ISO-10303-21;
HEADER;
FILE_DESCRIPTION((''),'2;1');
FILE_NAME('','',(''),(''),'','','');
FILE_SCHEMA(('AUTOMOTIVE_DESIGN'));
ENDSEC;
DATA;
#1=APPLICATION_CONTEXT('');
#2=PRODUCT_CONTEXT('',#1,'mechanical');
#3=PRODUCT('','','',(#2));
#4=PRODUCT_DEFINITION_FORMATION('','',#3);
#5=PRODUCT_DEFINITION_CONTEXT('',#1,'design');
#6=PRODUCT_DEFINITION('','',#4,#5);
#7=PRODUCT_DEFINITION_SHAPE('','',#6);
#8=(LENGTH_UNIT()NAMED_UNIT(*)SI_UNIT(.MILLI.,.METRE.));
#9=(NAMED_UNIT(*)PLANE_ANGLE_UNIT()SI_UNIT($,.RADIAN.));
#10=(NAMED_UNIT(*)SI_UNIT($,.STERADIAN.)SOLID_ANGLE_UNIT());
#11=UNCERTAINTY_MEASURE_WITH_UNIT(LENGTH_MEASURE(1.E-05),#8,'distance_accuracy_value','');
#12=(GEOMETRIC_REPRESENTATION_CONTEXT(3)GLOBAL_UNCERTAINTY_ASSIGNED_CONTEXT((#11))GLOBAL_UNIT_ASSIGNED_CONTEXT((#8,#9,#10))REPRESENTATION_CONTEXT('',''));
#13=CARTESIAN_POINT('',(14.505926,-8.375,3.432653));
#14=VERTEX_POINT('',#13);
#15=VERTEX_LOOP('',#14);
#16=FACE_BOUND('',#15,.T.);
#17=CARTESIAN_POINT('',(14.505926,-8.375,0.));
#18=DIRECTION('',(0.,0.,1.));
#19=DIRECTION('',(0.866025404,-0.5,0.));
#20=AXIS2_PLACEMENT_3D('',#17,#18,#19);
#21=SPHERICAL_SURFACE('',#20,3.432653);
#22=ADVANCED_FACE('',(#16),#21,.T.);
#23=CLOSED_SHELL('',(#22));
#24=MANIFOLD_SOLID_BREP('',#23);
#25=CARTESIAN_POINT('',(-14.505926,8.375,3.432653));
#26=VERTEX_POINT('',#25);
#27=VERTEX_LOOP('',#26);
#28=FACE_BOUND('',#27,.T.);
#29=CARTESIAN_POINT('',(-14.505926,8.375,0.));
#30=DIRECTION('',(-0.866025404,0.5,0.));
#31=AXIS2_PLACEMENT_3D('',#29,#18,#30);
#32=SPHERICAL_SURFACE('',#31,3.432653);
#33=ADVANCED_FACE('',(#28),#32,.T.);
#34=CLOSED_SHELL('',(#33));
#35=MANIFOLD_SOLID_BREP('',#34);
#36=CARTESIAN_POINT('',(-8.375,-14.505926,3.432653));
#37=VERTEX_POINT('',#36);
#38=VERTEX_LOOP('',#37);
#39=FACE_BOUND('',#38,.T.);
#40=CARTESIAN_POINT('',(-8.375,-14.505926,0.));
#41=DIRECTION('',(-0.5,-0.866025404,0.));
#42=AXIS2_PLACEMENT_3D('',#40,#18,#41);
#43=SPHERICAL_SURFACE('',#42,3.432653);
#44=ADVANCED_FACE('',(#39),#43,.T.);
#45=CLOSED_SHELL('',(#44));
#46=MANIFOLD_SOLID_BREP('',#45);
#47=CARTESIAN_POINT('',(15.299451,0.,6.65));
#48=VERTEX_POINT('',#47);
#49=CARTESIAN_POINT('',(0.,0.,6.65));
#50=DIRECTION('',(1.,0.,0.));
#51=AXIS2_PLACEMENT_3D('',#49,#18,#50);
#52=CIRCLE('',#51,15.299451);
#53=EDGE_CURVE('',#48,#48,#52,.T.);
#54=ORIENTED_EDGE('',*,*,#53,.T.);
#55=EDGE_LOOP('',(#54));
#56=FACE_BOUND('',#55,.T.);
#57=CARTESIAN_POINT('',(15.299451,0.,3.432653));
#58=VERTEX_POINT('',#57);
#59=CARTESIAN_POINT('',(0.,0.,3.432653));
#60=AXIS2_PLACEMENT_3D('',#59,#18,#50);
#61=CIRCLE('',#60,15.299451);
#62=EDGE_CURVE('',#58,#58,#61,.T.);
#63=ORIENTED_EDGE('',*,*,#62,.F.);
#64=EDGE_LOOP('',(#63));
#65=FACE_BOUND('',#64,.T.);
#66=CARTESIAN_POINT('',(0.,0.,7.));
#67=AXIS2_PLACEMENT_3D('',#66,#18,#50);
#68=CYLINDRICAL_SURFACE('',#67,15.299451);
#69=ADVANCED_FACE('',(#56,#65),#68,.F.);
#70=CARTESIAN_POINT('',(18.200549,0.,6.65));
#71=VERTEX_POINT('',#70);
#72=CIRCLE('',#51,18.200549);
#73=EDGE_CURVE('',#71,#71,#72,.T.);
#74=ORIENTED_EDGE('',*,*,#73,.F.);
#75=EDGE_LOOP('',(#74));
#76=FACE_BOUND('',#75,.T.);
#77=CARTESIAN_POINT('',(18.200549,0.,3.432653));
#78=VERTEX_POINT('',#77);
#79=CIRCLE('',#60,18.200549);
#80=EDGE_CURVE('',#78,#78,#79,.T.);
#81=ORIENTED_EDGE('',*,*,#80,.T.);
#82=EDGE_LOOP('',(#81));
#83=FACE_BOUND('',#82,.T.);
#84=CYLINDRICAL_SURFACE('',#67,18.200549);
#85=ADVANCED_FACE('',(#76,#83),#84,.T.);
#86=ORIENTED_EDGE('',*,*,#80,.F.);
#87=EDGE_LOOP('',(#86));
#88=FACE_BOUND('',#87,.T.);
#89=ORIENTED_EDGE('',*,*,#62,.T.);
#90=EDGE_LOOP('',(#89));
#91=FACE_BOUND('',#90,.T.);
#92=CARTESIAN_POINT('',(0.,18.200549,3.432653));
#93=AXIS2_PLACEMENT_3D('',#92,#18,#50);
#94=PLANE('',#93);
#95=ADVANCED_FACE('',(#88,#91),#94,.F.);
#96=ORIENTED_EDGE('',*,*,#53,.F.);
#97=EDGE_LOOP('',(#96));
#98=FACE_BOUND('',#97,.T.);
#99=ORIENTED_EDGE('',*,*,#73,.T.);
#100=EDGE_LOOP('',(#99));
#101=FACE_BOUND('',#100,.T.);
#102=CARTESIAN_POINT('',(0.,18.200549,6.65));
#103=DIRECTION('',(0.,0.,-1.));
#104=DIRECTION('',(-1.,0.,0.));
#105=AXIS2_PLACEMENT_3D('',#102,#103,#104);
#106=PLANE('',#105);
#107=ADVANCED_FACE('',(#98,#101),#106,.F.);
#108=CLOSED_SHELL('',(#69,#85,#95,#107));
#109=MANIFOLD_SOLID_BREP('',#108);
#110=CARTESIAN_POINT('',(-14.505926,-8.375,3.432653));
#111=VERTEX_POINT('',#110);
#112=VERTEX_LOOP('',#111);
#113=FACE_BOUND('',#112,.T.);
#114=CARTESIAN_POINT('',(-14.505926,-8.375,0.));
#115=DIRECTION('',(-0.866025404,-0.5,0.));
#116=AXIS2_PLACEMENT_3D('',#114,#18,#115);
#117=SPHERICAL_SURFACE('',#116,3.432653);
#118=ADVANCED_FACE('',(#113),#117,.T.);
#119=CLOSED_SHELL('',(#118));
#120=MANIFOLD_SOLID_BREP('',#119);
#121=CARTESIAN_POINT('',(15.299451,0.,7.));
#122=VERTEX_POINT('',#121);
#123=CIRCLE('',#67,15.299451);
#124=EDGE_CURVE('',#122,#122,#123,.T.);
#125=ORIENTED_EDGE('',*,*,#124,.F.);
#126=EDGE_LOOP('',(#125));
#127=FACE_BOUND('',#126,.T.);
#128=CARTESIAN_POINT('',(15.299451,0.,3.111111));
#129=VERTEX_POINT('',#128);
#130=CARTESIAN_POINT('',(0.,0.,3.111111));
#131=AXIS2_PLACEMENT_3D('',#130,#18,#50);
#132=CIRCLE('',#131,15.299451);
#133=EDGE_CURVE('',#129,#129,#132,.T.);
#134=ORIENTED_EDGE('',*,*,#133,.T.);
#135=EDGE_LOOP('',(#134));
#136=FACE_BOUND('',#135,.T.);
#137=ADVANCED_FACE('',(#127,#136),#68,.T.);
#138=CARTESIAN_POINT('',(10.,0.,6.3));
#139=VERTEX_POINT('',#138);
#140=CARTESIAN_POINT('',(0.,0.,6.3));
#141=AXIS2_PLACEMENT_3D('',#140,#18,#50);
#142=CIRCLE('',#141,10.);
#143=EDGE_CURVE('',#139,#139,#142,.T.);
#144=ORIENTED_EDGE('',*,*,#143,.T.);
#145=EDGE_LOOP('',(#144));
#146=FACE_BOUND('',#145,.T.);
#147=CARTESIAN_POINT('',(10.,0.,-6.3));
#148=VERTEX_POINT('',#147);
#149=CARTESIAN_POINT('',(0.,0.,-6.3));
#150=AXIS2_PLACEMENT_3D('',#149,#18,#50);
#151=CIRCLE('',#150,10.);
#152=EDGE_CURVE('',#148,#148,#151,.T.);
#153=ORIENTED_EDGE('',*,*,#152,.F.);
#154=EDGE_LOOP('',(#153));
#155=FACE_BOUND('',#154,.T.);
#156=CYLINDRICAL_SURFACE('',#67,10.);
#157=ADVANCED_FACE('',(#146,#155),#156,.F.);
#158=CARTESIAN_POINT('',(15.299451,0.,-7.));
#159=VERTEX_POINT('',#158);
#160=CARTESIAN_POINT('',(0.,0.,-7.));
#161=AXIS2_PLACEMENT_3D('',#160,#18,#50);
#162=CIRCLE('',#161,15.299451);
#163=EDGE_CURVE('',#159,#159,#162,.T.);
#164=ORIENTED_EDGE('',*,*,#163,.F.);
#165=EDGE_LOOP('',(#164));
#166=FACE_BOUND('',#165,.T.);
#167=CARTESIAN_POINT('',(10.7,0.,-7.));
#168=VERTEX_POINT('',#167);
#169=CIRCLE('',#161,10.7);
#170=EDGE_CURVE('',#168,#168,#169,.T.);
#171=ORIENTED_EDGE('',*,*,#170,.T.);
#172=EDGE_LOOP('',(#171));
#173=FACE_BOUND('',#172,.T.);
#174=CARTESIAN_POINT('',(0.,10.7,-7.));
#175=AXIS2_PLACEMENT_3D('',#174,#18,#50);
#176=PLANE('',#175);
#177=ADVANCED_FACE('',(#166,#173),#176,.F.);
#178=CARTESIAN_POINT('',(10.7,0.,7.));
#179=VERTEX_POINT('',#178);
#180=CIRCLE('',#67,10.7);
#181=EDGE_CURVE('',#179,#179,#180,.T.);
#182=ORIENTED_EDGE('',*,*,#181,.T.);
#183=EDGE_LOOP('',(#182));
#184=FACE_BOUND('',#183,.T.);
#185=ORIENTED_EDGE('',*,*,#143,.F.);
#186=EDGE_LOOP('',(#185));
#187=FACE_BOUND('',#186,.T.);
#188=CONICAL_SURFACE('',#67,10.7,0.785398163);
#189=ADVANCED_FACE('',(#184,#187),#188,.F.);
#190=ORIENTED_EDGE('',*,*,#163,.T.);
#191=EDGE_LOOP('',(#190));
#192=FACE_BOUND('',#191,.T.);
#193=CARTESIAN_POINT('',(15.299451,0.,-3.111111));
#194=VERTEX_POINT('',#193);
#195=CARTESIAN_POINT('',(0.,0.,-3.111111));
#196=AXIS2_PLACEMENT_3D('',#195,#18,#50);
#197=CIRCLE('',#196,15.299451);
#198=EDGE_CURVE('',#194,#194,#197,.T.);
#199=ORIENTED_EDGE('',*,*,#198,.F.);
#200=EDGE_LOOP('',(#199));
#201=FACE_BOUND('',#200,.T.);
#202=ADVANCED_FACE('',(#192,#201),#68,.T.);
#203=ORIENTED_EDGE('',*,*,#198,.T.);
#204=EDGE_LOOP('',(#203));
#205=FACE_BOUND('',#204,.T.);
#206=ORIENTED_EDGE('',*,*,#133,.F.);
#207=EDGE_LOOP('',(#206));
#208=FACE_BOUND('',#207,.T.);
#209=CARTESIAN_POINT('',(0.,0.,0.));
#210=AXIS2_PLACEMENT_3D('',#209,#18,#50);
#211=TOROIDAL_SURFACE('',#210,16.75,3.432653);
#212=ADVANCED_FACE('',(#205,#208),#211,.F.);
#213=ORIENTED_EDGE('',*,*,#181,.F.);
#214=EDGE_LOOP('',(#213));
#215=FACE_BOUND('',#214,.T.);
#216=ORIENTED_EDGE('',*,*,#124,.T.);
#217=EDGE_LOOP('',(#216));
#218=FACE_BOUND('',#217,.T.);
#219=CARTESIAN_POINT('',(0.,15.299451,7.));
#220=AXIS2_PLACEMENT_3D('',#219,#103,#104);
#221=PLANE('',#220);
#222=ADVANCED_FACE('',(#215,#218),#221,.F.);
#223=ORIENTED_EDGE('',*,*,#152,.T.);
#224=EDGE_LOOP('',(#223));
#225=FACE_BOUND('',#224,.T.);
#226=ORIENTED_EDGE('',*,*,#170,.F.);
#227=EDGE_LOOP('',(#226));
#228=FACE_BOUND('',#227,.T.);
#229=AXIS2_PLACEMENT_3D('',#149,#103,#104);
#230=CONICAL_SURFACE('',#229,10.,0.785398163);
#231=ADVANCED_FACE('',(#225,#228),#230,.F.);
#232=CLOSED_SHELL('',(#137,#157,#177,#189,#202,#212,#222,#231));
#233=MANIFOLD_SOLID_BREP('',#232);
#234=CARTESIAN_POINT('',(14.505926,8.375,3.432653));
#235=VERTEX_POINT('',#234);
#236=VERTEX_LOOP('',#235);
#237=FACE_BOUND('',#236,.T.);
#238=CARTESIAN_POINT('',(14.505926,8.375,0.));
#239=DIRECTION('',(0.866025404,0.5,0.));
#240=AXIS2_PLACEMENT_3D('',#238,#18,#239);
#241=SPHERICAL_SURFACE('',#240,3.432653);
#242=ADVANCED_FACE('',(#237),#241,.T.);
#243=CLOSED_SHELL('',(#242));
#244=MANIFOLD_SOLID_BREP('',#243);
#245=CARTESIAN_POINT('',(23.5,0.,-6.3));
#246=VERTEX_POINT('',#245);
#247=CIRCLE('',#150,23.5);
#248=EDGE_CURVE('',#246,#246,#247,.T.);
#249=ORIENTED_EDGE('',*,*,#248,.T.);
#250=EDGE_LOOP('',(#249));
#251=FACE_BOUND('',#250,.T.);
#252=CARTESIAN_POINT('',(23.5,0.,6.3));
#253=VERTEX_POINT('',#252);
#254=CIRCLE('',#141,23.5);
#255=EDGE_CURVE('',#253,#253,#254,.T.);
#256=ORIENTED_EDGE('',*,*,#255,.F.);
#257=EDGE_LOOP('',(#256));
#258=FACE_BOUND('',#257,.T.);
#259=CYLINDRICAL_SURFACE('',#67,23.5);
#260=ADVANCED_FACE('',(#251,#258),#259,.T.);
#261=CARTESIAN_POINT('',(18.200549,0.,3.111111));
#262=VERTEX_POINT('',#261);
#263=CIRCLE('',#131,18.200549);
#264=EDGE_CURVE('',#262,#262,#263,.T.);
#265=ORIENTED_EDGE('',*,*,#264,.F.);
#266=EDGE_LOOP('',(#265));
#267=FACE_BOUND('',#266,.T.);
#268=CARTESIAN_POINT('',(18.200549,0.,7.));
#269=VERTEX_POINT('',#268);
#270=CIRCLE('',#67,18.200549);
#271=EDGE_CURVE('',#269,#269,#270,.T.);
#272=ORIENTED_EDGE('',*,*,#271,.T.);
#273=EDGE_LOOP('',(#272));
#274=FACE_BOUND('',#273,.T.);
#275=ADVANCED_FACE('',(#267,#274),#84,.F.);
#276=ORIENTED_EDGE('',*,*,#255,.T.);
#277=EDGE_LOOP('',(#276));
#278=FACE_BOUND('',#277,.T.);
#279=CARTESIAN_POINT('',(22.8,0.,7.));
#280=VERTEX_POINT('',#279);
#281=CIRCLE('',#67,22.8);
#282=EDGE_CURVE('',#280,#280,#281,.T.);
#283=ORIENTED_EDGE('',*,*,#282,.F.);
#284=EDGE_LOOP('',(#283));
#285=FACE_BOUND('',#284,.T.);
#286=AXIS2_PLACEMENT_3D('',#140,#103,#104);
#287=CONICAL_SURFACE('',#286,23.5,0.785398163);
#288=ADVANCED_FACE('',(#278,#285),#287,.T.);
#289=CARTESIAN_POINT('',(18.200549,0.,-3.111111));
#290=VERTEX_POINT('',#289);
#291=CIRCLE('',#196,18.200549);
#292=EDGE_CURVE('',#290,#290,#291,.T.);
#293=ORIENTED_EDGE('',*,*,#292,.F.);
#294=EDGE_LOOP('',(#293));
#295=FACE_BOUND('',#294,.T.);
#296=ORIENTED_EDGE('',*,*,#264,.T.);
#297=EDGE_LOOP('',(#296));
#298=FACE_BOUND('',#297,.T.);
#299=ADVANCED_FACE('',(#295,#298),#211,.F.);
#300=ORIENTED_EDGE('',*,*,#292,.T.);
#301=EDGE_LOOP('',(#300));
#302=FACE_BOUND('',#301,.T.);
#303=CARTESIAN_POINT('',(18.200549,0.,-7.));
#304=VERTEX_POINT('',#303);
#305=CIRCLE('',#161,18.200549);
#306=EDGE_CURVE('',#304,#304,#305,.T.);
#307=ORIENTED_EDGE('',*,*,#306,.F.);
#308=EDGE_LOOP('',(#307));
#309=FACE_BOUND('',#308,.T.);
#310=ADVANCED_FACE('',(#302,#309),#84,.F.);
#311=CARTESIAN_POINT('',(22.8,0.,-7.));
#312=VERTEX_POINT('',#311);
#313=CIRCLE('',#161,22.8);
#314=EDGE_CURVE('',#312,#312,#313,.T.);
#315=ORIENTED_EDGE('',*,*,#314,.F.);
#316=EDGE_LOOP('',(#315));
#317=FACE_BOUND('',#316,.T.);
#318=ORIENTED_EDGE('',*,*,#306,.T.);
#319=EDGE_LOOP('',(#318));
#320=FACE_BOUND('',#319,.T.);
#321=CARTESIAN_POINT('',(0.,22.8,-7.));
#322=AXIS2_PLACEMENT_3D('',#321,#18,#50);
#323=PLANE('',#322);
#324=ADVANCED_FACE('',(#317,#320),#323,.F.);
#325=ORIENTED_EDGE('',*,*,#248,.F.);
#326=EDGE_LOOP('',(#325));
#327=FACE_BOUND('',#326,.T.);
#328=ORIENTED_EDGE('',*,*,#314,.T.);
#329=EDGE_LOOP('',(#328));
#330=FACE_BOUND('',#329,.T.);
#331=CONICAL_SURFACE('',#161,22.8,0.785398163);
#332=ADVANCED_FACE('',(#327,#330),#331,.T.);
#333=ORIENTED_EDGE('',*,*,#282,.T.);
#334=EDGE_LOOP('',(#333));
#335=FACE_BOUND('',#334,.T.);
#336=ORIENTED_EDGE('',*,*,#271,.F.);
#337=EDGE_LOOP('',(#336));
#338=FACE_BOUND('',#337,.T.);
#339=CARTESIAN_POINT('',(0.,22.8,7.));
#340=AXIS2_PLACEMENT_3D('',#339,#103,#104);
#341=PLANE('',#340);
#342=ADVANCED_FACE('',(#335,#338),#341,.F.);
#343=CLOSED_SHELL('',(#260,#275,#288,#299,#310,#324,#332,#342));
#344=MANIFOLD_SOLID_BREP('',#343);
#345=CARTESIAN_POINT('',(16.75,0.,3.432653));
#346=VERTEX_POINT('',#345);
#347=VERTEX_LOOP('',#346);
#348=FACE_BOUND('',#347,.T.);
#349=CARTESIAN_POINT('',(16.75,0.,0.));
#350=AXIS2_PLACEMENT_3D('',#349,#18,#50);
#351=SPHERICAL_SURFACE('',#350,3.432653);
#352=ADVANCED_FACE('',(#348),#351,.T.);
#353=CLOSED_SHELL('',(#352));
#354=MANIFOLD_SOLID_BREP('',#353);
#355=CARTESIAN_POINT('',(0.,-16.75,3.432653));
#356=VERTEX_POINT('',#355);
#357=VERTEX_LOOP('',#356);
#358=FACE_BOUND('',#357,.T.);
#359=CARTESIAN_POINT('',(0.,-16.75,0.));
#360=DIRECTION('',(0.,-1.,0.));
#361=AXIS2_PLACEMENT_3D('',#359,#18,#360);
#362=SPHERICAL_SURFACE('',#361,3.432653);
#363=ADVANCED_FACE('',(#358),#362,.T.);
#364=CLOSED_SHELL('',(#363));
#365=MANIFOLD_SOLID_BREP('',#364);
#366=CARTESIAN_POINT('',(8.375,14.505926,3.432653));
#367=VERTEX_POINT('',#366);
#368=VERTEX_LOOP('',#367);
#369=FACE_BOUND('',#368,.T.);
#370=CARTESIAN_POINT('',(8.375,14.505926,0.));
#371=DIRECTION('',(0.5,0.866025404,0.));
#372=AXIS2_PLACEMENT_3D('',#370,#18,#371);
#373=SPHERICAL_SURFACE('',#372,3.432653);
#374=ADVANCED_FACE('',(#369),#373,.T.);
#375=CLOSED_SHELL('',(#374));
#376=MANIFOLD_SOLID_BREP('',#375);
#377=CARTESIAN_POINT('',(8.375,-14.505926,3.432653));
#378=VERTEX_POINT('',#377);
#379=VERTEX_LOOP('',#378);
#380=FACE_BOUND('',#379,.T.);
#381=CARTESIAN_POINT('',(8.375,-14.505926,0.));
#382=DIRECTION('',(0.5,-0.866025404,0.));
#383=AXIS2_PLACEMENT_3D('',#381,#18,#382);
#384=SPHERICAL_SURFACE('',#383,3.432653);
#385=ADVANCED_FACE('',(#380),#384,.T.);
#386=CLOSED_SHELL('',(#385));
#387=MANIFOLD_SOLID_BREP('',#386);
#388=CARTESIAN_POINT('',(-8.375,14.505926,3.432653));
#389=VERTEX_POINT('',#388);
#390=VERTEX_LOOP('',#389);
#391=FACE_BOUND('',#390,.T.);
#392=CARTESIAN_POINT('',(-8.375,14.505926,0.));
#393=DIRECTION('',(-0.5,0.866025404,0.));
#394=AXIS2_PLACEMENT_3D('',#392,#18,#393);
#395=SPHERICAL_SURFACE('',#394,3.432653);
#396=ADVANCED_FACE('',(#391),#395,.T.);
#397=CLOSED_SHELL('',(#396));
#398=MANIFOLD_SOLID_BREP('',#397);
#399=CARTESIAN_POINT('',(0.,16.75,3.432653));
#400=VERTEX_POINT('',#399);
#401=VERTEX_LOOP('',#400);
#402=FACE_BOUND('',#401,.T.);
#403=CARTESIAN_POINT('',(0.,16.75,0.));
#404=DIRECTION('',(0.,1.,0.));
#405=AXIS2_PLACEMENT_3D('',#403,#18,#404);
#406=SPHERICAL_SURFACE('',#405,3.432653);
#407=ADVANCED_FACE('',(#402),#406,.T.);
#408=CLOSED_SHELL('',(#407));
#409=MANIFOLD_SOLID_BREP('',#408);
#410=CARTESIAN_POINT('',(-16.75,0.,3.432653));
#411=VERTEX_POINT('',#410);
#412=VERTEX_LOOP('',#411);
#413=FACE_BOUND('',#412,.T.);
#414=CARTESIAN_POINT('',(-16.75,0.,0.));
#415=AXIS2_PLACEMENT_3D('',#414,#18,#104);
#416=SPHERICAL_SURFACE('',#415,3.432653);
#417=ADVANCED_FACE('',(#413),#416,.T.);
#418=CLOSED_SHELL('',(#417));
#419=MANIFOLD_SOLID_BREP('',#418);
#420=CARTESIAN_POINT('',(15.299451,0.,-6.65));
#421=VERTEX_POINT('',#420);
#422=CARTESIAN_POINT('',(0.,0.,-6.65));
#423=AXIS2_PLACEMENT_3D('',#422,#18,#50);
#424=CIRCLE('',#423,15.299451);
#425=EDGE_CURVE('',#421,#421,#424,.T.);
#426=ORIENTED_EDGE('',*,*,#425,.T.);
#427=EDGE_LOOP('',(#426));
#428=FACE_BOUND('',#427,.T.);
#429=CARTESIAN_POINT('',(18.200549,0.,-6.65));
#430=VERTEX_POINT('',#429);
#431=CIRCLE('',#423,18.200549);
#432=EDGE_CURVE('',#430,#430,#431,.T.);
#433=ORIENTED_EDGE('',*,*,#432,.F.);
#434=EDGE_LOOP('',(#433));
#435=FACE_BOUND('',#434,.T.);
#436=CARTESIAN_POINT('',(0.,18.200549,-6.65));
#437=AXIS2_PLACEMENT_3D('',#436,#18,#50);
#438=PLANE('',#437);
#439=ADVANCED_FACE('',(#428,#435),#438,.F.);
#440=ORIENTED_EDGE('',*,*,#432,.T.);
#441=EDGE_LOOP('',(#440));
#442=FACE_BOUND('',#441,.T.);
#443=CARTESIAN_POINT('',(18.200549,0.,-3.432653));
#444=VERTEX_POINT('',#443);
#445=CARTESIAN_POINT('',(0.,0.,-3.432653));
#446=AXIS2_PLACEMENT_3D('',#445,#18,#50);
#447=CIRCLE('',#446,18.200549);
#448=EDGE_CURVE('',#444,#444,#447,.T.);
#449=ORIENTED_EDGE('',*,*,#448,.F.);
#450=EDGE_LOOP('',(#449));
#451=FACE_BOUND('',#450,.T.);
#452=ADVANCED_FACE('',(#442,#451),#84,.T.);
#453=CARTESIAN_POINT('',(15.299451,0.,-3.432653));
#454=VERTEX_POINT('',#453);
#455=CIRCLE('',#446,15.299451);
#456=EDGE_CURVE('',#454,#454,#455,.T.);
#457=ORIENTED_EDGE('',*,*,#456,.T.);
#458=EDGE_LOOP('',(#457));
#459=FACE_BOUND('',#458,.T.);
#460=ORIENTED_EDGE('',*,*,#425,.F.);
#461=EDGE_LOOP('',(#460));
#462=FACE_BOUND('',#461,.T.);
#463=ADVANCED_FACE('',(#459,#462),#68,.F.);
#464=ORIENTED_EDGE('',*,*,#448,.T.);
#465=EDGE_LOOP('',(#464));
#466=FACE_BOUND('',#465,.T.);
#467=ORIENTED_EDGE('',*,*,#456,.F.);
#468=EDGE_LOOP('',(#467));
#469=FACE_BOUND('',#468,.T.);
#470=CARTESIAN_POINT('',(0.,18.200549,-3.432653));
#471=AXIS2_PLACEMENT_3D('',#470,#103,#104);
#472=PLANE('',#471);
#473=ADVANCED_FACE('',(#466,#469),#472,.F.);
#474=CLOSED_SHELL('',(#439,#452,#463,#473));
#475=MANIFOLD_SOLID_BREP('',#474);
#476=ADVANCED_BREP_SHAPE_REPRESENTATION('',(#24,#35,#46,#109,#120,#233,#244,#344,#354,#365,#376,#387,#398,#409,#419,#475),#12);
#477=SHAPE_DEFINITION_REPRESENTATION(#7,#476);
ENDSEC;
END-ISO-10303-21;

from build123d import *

# Parameters (mm, degrees)
CIRPATTERN1_COUNT = 12
SKETCH5_W         = 3.217347082
SKETCH5_H         = 2.901098902


with BuildPart() as part:
    # Sketch1 → Revolve1 (revolve)
    with BuildSketch(Plane(origin=(0, 0, 0), x_dir=(0, 0, -1), z_dir=(1, 0, 0))):
        with BuildLine():
            Line((6.3, 23.5), (-6.3, 23.5))
            Line((-6.3, 23.5), (-7, 22.8))
            Line((-7, 22.8), (-7, 18.200549451))
            Line((-7, 18.200549451), (-3.111111111, 18.200549451))
            ThreePointArc((-3.111111111, 18.200549451), (0, 20.182652918), (3.111111111, 18.200549451))
            Line((3.111111111, 18.200549451), (7, 18.200549451))
            Line((7, 18.200549451), (7, 22.8))
            Line((7, 22.8), (6.3, 23.5))
        make_face()
    revolve(axis=Axis((0, 0, 7), (0, 0, -1)))


with BuildPart() as body_2:
    # Sketch3 → Revolve3 (revolve)
    with BuildSketch(Plane(origin=(0, 0, 0), x_dir=(0, 0, -1), z_dir=(1, 0, 0))):
        with BuildLine():
            Line((-7, 15.299450549), (-3.111111111, 15.299450549))
            ThreePointArc((-3.111111111, 15.299450549), (0, 13.317347082), (3.111111111, 15.299450549))
            Line((3.111111111, 15.299450549), (7, 15.299450549))
            Line((7, 15.299450549), (7, 10.7))
            Line((7, 10.7), (6.3, 10))
            Line((6.3, 10), (-6.3, 10))
            Line((-6.3, 10), (-7, 10.7))
            Line((-7, 10.7), (-7, 15.299450549))
        make_face()
    revolve(axis=Axis((0, 0, 7), (0, 0, -1)))


with BuildPart() as body_3:
    # Sketch4 → Revolve4 (revolve)
    with BuildSketch(Plane(origin=(0, 0, 0), x_dir=(0, 0, -1), z_dir=(1, 0, 0))):
        with BuildLine():
            Line((-3.432652918, 16.75), (3.432652918, 16.75))
            ThreePointArc((3.432652918, 16.75), (0, 20.182652918), (-3.432652918, 16.75))
        make_face()
    revolve(axis=Axis((0, 16.75, 3.432652918), (0, 0, -1)))


with BuildPart() as cirpattern1_1:
    # CirPattern1: pattern copy
    add(body_3.part.rotate(Axis((0, 0, -7), (0, 0, 1)), 1 * 360 / CIRPATTERN1_COUNT))


with BuildPart() as cirpattern1_2:
    # CirPattern1: pattern copy
    add(body_3.part.rotate(Axis((0, 0, -7), (0, 0, 1)), 2 * 360 / CIRPATTERN1_COUNT))


with BuildPart() as cirpattern1_3:
    # CirPattern1: pattern copy
    add(body_3.part.rotate(Axis((0, 0, -7), (0, 0, 1)), 3 * 360 / CIRPATTERN1_COUNT))


with BuildPart() as cirpattern1_4:
    # CirPattern1: pattern copy
    add(body_3.part.rotate(Axis((0, 0, -7), (0, 0, 1)), 4 * 360 / CIRPATTERN1_COUNT))


with BuildPart() as cirpattern1_5:
    # CirPattern1: pattern copy
    add(body_3.part.rotate(Axis((0, 0, -7), (0, 0, 1)), 5 * 360 / CIRPATTERN1_COUNT))


with BuildPart() as cirpattern1_6:
    # CirPattern1: pattern copy
    add(body_3.part.rotate(Axis((0, 0, -7), (0, 0, 1)), 6 * 360 / CIRPATTERN1_COUNT))


with BuildPart() as cirpattern1_7:
    # CirPattern1: pattern copy
    add(body_3.part.rotate(Axis((0, 0, -7), (0, 0, 1)), 7 * 360 / CIRPATTERN1_COUNT))


with BuildPart() as cirpattern1_8:
    # CirPattern1: pattern copy
    add(body_3.part.rotate(Axis((0, 0, -7), (0, 0, 1)), 8 * 360 / CIRPATTERN1_COUNT))


with BuildPart() as cirpattern1_9:
    # CirPattern1: pattern copy
    add(body_3.part.rotate(Axis((0, 0, -7), (0, 0, 1)), 9 * 360 / CIRPATTERN1_COUNT))


with BuildPart() as cirpattern1_10:
    # CirPattern1: pattern copy
    add(body_3.part.rotate(Axis((0, 0, -7), (0, 0, 1)), 10 * 360 / CIRPATTERN1_COUNT))


with BuildPart() as cirpattern1_11:
    # CirPattern1: pattern copy
    add(body_3.part.rotate(Axis((0, 0, -7), (0, 0, 1)), 11 * 360 / CIRPATTERN1_COUNT))


with BuildPart() as body_15:
    # Sketch5 → Revolve5 (revolve)
    with BuildSketch(Plane(origin=(0, 0, 0), x_dir=(0, 0, -1), z_dir=(1, 0, 0))):
        with Locations((-5.041326459, 16.75)):
            Rectangle(SKETCH5_W, SKETCH5_H)
        with Locations((5.041326459, 16.75)):
            Rectangle(SKETCH5_W, SKETCH5_H)
    revolve(axis=Axis((0, 0, 7), (0, 0, -1)))


solid = Compound([part.part, body_2.part, body_3.part, cirpattern1_1.part, cirpattern1_2.part, cirpattern1_3.part, cirpattern1_4.part, cirpattern1_5.part, cirpattern1_6.part, cirpattern1_7.part, cirpattern1_8.part, cirpattern1_9.part, cirpattern1_10.part, cirpattern1_11.part, body_15.part])
